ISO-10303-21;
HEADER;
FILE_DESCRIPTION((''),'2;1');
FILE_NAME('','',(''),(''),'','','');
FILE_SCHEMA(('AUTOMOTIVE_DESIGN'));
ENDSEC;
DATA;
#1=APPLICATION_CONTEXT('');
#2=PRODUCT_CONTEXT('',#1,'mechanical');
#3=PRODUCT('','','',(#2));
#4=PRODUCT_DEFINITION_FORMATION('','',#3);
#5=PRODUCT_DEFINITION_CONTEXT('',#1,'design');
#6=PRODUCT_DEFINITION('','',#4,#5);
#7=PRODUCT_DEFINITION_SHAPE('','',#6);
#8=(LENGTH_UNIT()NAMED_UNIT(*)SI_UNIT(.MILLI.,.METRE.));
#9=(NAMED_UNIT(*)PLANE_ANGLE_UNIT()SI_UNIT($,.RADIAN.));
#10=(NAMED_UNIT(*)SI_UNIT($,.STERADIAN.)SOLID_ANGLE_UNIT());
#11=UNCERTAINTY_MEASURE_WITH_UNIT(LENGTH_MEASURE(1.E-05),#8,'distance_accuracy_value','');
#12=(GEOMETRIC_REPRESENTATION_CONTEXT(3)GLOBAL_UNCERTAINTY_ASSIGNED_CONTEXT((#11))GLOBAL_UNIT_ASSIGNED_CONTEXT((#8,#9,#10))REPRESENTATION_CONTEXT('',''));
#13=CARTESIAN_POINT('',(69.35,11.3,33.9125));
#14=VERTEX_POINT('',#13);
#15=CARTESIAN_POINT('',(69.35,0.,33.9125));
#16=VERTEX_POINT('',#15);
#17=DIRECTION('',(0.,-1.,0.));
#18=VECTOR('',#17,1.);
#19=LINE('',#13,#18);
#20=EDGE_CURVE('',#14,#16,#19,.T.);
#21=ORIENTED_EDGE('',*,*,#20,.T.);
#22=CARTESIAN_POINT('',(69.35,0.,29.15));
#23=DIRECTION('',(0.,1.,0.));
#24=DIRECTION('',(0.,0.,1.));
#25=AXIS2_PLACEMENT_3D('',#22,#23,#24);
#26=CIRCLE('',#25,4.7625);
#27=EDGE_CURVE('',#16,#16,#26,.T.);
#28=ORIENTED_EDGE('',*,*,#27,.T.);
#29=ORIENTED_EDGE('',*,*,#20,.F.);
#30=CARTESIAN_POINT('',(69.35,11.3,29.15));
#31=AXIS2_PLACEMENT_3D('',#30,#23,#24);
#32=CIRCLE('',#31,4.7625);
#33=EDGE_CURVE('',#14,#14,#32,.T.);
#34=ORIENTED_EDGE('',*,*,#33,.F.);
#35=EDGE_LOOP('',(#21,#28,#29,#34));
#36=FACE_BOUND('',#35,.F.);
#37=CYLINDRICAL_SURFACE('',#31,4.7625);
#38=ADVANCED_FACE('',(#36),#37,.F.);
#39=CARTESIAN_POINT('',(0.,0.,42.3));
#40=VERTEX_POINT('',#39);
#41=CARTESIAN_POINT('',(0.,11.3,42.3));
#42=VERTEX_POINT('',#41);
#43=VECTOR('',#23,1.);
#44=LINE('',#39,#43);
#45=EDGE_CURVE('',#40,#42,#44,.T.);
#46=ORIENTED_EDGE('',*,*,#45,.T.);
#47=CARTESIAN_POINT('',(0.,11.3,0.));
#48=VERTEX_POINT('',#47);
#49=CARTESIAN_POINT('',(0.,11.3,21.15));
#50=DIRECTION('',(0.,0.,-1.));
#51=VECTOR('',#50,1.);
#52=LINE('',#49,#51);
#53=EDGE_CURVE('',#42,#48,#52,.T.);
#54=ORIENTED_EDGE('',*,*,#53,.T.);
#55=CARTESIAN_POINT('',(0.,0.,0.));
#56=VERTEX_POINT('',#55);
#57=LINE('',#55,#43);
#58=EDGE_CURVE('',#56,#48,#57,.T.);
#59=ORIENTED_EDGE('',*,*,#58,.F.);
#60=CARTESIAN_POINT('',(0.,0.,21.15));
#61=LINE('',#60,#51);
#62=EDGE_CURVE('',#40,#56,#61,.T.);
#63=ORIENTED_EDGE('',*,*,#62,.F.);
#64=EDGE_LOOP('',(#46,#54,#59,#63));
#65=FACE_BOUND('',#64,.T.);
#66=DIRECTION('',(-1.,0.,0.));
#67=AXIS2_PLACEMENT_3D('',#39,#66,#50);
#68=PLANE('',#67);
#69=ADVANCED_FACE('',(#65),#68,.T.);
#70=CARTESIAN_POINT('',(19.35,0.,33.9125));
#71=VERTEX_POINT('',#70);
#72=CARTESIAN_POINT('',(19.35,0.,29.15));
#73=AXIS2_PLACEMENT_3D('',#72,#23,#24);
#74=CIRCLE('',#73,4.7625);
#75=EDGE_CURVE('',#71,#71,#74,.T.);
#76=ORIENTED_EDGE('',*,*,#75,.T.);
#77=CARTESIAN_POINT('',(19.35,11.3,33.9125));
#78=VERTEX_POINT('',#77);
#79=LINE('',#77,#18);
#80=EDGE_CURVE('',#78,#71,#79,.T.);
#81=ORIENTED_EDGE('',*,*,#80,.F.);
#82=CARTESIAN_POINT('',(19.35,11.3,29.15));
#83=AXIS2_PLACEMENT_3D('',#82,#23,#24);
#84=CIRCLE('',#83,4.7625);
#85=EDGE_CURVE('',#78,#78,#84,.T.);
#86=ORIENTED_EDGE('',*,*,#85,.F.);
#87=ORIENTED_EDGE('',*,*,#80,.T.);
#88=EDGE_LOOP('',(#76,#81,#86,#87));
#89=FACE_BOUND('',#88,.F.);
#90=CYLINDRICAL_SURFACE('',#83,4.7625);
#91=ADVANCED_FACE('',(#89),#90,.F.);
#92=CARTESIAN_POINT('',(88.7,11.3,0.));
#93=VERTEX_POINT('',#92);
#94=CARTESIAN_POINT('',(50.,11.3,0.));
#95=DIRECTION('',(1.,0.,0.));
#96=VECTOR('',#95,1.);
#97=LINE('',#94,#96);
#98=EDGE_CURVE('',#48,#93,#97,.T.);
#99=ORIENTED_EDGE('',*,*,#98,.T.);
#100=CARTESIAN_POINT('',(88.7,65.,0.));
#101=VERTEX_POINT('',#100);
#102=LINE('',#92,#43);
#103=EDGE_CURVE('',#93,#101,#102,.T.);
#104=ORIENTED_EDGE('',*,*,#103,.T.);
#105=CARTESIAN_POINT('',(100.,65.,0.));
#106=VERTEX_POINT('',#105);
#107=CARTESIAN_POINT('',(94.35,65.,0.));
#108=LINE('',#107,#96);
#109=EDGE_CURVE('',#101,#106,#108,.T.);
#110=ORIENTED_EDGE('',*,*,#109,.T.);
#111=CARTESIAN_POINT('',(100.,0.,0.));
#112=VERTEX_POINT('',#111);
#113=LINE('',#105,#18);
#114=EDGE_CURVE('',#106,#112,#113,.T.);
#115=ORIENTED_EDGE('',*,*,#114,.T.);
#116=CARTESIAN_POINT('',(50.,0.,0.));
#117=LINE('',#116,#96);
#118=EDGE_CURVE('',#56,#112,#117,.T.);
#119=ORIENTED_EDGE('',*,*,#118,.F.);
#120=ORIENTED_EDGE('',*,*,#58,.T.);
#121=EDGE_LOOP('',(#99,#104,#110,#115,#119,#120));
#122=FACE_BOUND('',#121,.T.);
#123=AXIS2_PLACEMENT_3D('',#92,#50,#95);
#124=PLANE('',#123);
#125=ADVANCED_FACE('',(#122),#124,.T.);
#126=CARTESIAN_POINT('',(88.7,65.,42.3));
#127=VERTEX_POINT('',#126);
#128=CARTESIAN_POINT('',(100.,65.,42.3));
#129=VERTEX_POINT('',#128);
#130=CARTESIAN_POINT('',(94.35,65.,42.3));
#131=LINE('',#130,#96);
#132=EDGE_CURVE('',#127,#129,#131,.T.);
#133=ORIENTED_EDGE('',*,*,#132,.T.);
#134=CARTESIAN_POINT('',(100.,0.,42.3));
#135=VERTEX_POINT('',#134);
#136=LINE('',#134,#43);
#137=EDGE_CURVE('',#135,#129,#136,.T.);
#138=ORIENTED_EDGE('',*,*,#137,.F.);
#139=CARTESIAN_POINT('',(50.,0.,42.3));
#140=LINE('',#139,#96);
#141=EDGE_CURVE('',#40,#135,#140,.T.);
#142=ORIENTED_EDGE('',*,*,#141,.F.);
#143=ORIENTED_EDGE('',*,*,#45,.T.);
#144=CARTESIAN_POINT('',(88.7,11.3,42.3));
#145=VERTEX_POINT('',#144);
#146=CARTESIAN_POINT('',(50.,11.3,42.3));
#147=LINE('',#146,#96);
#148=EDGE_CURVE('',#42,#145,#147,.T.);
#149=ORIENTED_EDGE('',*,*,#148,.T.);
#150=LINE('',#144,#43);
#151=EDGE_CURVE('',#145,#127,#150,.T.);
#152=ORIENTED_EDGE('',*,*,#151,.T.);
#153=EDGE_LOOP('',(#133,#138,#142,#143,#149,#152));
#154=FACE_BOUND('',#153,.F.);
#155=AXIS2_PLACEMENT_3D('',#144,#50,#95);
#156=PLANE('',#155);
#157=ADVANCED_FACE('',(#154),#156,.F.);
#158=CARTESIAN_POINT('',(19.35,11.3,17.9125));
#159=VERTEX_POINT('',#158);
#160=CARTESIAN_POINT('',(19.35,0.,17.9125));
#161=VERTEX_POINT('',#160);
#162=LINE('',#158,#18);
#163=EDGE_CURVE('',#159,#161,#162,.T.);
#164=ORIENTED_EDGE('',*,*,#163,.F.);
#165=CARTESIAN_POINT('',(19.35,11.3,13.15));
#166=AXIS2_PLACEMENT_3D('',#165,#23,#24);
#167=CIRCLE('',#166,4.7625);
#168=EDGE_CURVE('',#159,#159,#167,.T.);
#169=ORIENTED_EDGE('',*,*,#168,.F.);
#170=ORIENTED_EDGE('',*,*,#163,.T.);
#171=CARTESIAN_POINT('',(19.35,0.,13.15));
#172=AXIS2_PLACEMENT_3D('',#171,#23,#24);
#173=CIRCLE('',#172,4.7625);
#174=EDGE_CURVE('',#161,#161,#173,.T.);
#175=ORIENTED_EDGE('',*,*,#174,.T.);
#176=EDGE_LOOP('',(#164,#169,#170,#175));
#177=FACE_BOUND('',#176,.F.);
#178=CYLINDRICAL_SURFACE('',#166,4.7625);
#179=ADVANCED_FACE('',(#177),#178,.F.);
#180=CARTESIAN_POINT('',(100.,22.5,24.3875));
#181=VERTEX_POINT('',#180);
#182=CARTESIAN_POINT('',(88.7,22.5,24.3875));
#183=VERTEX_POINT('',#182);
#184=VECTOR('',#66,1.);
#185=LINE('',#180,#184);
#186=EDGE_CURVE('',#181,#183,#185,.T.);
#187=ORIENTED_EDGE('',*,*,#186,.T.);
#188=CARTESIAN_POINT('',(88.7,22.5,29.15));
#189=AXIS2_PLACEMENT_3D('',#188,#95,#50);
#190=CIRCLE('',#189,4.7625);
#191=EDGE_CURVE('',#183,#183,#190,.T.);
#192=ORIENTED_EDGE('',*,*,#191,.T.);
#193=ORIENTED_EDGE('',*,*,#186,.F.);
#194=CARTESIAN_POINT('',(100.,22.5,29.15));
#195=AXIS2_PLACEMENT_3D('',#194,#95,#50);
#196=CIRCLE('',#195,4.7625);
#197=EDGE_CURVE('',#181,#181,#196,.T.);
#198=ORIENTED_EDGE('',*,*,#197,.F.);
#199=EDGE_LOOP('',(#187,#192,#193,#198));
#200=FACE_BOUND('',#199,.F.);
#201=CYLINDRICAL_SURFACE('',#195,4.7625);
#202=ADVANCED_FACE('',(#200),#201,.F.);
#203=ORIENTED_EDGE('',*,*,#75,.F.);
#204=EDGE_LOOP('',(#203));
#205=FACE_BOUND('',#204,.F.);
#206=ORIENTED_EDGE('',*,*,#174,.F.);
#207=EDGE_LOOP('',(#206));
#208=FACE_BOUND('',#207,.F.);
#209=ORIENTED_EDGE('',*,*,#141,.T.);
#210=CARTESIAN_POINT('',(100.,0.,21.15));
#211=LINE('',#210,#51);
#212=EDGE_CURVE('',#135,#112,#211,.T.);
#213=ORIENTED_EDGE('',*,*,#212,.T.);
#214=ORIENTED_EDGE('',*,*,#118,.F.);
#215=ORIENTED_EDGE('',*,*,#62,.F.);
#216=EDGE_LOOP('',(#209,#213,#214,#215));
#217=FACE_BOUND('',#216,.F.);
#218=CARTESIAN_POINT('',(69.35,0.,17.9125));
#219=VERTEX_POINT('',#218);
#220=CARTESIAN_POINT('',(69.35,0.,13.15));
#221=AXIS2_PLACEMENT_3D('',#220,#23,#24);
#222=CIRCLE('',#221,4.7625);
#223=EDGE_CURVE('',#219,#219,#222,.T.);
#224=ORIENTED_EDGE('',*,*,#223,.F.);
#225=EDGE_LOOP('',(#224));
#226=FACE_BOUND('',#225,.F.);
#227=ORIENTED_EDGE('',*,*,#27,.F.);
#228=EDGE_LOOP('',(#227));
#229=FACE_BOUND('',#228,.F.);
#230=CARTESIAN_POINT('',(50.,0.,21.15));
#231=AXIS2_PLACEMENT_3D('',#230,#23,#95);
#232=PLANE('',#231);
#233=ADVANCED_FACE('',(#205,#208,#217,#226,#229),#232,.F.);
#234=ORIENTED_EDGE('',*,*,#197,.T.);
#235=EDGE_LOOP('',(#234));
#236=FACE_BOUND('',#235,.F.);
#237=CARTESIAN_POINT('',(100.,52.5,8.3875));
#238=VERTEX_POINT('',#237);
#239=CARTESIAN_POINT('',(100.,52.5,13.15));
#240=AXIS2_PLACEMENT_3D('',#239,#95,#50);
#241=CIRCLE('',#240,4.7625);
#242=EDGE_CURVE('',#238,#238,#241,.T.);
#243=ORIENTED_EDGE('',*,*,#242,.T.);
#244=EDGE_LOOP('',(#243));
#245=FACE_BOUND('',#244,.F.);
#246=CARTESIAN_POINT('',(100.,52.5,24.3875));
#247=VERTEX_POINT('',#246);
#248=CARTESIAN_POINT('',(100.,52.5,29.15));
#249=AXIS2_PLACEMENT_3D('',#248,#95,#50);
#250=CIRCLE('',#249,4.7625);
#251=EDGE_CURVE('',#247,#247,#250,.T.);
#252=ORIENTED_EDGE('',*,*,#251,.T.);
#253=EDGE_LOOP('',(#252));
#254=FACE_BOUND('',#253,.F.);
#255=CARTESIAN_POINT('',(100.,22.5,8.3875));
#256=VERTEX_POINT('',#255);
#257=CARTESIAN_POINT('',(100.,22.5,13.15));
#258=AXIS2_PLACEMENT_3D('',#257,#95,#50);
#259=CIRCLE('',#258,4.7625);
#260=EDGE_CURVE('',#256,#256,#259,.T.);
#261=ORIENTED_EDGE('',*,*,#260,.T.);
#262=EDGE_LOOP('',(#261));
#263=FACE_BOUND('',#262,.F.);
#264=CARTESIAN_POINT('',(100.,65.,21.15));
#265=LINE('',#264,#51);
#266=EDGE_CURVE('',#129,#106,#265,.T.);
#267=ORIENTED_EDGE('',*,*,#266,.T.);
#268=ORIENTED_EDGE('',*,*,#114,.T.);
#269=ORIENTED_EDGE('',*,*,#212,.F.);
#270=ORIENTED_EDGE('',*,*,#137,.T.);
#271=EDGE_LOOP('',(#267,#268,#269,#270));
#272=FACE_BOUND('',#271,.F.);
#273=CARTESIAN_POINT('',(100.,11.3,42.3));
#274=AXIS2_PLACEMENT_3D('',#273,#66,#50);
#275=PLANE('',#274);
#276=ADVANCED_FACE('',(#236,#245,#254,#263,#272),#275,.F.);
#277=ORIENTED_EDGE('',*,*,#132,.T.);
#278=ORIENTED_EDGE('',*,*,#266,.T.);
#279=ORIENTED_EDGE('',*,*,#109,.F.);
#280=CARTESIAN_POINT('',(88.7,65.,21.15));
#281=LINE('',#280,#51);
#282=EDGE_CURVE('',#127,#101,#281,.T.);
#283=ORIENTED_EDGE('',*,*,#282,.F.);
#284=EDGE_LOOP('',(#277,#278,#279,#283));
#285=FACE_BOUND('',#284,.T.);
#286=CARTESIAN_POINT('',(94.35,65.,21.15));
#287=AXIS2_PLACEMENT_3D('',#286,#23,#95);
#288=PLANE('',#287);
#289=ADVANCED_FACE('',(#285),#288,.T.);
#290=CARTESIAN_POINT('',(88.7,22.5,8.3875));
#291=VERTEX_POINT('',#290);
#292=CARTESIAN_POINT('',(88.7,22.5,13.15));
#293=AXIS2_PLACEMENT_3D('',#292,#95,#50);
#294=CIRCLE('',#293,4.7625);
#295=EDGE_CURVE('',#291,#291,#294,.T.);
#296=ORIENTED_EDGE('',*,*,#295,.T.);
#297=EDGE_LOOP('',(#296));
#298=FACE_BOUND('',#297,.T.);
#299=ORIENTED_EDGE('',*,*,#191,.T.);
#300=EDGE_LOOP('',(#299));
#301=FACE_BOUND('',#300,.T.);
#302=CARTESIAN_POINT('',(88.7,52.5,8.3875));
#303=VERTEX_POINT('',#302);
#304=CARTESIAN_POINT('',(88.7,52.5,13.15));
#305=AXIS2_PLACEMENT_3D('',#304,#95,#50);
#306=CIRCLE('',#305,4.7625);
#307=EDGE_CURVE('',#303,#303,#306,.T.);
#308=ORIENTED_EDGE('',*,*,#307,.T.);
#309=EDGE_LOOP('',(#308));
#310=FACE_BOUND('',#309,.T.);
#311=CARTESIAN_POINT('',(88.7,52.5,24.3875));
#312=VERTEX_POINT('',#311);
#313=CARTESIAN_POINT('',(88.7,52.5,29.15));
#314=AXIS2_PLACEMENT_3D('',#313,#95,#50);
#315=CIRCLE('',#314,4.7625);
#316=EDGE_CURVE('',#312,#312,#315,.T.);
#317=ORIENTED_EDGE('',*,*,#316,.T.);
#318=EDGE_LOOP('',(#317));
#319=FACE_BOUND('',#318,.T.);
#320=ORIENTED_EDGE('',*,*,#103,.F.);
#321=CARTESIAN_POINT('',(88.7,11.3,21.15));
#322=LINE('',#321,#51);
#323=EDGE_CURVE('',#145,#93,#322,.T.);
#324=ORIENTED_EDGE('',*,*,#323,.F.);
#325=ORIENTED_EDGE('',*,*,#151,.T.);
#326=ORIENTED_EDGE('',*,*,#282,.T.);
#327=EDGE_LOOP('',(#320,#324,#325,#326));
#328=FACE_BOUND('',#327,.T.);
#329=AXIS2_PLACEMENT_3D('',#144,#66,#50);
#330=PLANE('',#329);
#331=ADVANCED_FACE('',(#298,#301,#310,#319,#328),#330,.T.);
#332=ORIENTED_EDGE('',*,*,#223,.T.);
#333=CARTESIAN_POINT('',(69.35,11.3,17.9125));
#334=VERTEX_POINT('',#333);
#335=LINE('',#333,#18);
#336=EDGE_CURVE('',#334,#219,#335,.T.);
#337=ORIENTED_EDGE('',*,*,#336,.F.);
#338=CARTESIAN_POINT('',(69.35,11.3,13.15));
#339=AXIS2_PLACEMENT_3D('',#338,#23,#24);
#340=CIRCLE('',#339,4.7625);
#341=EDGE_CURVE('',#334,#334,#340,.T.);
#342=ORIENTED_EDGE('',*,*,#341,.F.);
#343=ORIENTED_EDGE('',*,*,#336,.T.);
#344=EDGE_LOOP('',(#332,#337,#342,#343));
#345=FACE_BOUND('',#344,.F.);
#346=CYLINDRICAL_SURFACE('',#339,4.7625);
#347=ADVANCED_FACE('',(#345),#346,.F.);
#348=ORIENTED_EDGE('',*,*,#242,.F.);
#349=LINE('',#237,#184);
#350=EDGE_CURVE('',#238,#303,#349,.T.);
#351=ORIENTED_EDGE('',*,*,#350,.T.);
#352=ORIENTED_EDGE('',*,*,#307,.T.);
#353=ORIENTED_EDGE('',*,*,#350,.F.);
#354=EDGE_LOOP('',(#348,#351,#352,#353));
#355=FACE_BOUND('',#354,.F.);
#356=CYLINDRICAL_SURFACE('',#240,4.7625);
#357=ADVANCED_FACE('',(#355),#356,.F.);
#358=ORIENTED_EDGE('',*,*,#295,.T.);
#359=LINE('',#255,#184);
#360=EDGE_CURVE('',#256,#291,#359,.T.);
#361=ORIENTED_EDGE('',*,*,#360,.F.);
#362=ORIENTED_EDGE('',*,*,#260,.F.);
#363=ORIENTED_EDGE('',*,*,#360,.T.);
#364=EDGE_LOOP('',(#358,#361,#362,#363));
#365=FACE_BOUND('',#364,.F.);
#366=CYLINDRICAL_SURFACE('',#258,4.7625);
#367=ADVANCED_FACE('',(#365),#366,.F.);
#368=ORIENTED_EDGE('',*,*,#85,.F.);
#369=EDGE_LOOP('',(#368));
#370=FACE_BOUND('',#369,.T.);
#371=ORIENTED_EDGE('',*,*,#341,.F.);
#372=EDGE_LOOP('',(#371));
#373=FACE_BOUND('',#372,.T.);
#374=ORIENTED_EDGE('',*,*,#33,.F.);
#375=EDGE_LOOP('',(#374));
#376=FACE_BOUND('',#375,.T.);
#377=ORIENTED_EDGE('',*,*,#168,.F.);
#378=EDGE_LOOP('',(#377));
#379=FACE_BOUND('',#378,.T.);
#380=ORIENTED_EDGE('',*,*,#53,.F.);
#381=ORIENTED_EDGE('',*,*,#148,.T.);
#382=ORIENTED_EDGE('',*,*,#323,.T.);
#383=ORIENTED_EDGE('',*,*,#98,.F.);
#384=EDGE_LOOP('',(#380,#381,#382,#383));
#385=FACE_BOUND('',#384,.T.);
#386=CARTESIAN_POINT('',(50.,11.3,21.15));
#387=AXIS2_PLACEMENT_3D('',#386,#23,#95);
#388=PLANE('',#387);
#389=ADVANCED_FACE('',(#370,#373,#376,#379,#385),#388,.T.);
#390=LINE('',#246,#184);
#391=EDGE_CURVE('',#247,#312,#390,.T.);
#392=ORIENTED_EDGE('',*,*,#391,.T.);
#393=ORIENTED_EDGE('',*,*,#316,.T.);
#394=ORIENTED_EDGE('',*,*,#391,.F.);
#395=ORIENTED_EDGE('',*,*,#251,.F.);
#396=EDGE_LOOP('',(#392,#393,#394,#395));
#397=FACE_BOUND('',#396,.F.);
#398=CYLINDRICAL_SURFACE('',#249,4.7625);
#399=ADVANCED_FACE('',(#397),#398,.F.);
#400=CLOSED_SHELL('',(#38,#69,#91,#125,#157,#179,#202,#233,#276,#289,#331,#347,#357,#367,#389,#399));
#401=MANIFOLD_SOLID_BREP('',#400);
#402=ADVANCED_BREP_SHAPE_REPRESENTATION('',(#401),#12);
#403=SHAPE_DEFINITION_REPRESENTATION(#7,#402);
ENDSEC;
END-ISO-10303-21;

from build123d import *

# Parameters (mm, degrees)
SKETCH1_W           = 100
SKETCH1_H           = 42.3
BOSS_EXTRUDE1_DEPTH = 11.3
SKETCH2_W           = 11.3
SKETCH2_H           = 42.3
BOSS_EXTRUDE2_DEPTH = 53.7
SKETCH3_R           = 4.7625
CUT_EXTRUDE1_DEPTH  = 53.7
SKETCH4_R           = 4.7625
CUT_EXTRUDE2_DEPTH  = 53.7


with BuildPart() as part:
    # Sketch1 → Boss-Extrude1 (new body)
    with BuildSketch(Plane(origin=(0, 0, 0), x_dir=(1, 0, 0), z_dir=(0, 1, 0))):
        with Locations((50, -21.15)):
            Rectangle(SKETCH1_W, SKETCH1_H)
    extrude(amount=BOSS_EXTRUDE1_DEPTH)

    # Sketch2 → Boss-Extrude2 (add)
    with BuildSketch(Plane(origin=(0, 11.3, 0), x_dir=(1, 0, 0), z_dir=(0, 1, 0))):
        with Locations((94.35, -21.15)):
            Rectangle(SKETCH2_W, SKETCH2_H)
    extrude(amount=BOSS_EXTRUDE2_DEPTH)

    # Sketch3 → Cut-Extrude1 (cut)
    with BuildSketch(Plane(origin=(100, 0, 0), x_dir=(0, 0, -1), z_dir=(1, 0, 0))):
        with Locations((-13.15, 22.5)):
            Circle(SKETCH3_R)
        with Locations((-13.15, 52.5)):
            Circle(SKETCH3_R)
        with Locations((-29.15, 52.5)):
            Circle(SKETCH3_R)
        with Locations((-29.15, 22.5)):
            Circle(SKETCH3_R)
    extrude(amount=-CUT_EXTRUDE1_DEPTH, mode=Mode.SUBTRACT)

    # Sketch4 → Cut-Extrude2 (cut)
    with BuildSketch(Plane(origin=(0, 11.3, 0), x_dir=(1, 0, 0), z_dir=(0, 1, 0))):
        with Locations(Location((19.35, -13.15, 0), (0, 0, 270))):
            Circle(SKETCH4_R)
        with Locations(Location((69.35, -13.15, 0), (0, 0, 270))):
            Circle(SKETCH4_R)
        with Locations(Location((19.35, -29.15, 0), (0, 0, 270))):
            Circle(SKETCH4_R)
        with Locations(Location((69.35, -29.15, 0), (0, 0, 270))):
            Circle(SKETCH4_R)
    extrude(amount=-CUT_EXTRUDE2_DEPTH, mode=Mode.SUBTRACT)


solid = part.part
